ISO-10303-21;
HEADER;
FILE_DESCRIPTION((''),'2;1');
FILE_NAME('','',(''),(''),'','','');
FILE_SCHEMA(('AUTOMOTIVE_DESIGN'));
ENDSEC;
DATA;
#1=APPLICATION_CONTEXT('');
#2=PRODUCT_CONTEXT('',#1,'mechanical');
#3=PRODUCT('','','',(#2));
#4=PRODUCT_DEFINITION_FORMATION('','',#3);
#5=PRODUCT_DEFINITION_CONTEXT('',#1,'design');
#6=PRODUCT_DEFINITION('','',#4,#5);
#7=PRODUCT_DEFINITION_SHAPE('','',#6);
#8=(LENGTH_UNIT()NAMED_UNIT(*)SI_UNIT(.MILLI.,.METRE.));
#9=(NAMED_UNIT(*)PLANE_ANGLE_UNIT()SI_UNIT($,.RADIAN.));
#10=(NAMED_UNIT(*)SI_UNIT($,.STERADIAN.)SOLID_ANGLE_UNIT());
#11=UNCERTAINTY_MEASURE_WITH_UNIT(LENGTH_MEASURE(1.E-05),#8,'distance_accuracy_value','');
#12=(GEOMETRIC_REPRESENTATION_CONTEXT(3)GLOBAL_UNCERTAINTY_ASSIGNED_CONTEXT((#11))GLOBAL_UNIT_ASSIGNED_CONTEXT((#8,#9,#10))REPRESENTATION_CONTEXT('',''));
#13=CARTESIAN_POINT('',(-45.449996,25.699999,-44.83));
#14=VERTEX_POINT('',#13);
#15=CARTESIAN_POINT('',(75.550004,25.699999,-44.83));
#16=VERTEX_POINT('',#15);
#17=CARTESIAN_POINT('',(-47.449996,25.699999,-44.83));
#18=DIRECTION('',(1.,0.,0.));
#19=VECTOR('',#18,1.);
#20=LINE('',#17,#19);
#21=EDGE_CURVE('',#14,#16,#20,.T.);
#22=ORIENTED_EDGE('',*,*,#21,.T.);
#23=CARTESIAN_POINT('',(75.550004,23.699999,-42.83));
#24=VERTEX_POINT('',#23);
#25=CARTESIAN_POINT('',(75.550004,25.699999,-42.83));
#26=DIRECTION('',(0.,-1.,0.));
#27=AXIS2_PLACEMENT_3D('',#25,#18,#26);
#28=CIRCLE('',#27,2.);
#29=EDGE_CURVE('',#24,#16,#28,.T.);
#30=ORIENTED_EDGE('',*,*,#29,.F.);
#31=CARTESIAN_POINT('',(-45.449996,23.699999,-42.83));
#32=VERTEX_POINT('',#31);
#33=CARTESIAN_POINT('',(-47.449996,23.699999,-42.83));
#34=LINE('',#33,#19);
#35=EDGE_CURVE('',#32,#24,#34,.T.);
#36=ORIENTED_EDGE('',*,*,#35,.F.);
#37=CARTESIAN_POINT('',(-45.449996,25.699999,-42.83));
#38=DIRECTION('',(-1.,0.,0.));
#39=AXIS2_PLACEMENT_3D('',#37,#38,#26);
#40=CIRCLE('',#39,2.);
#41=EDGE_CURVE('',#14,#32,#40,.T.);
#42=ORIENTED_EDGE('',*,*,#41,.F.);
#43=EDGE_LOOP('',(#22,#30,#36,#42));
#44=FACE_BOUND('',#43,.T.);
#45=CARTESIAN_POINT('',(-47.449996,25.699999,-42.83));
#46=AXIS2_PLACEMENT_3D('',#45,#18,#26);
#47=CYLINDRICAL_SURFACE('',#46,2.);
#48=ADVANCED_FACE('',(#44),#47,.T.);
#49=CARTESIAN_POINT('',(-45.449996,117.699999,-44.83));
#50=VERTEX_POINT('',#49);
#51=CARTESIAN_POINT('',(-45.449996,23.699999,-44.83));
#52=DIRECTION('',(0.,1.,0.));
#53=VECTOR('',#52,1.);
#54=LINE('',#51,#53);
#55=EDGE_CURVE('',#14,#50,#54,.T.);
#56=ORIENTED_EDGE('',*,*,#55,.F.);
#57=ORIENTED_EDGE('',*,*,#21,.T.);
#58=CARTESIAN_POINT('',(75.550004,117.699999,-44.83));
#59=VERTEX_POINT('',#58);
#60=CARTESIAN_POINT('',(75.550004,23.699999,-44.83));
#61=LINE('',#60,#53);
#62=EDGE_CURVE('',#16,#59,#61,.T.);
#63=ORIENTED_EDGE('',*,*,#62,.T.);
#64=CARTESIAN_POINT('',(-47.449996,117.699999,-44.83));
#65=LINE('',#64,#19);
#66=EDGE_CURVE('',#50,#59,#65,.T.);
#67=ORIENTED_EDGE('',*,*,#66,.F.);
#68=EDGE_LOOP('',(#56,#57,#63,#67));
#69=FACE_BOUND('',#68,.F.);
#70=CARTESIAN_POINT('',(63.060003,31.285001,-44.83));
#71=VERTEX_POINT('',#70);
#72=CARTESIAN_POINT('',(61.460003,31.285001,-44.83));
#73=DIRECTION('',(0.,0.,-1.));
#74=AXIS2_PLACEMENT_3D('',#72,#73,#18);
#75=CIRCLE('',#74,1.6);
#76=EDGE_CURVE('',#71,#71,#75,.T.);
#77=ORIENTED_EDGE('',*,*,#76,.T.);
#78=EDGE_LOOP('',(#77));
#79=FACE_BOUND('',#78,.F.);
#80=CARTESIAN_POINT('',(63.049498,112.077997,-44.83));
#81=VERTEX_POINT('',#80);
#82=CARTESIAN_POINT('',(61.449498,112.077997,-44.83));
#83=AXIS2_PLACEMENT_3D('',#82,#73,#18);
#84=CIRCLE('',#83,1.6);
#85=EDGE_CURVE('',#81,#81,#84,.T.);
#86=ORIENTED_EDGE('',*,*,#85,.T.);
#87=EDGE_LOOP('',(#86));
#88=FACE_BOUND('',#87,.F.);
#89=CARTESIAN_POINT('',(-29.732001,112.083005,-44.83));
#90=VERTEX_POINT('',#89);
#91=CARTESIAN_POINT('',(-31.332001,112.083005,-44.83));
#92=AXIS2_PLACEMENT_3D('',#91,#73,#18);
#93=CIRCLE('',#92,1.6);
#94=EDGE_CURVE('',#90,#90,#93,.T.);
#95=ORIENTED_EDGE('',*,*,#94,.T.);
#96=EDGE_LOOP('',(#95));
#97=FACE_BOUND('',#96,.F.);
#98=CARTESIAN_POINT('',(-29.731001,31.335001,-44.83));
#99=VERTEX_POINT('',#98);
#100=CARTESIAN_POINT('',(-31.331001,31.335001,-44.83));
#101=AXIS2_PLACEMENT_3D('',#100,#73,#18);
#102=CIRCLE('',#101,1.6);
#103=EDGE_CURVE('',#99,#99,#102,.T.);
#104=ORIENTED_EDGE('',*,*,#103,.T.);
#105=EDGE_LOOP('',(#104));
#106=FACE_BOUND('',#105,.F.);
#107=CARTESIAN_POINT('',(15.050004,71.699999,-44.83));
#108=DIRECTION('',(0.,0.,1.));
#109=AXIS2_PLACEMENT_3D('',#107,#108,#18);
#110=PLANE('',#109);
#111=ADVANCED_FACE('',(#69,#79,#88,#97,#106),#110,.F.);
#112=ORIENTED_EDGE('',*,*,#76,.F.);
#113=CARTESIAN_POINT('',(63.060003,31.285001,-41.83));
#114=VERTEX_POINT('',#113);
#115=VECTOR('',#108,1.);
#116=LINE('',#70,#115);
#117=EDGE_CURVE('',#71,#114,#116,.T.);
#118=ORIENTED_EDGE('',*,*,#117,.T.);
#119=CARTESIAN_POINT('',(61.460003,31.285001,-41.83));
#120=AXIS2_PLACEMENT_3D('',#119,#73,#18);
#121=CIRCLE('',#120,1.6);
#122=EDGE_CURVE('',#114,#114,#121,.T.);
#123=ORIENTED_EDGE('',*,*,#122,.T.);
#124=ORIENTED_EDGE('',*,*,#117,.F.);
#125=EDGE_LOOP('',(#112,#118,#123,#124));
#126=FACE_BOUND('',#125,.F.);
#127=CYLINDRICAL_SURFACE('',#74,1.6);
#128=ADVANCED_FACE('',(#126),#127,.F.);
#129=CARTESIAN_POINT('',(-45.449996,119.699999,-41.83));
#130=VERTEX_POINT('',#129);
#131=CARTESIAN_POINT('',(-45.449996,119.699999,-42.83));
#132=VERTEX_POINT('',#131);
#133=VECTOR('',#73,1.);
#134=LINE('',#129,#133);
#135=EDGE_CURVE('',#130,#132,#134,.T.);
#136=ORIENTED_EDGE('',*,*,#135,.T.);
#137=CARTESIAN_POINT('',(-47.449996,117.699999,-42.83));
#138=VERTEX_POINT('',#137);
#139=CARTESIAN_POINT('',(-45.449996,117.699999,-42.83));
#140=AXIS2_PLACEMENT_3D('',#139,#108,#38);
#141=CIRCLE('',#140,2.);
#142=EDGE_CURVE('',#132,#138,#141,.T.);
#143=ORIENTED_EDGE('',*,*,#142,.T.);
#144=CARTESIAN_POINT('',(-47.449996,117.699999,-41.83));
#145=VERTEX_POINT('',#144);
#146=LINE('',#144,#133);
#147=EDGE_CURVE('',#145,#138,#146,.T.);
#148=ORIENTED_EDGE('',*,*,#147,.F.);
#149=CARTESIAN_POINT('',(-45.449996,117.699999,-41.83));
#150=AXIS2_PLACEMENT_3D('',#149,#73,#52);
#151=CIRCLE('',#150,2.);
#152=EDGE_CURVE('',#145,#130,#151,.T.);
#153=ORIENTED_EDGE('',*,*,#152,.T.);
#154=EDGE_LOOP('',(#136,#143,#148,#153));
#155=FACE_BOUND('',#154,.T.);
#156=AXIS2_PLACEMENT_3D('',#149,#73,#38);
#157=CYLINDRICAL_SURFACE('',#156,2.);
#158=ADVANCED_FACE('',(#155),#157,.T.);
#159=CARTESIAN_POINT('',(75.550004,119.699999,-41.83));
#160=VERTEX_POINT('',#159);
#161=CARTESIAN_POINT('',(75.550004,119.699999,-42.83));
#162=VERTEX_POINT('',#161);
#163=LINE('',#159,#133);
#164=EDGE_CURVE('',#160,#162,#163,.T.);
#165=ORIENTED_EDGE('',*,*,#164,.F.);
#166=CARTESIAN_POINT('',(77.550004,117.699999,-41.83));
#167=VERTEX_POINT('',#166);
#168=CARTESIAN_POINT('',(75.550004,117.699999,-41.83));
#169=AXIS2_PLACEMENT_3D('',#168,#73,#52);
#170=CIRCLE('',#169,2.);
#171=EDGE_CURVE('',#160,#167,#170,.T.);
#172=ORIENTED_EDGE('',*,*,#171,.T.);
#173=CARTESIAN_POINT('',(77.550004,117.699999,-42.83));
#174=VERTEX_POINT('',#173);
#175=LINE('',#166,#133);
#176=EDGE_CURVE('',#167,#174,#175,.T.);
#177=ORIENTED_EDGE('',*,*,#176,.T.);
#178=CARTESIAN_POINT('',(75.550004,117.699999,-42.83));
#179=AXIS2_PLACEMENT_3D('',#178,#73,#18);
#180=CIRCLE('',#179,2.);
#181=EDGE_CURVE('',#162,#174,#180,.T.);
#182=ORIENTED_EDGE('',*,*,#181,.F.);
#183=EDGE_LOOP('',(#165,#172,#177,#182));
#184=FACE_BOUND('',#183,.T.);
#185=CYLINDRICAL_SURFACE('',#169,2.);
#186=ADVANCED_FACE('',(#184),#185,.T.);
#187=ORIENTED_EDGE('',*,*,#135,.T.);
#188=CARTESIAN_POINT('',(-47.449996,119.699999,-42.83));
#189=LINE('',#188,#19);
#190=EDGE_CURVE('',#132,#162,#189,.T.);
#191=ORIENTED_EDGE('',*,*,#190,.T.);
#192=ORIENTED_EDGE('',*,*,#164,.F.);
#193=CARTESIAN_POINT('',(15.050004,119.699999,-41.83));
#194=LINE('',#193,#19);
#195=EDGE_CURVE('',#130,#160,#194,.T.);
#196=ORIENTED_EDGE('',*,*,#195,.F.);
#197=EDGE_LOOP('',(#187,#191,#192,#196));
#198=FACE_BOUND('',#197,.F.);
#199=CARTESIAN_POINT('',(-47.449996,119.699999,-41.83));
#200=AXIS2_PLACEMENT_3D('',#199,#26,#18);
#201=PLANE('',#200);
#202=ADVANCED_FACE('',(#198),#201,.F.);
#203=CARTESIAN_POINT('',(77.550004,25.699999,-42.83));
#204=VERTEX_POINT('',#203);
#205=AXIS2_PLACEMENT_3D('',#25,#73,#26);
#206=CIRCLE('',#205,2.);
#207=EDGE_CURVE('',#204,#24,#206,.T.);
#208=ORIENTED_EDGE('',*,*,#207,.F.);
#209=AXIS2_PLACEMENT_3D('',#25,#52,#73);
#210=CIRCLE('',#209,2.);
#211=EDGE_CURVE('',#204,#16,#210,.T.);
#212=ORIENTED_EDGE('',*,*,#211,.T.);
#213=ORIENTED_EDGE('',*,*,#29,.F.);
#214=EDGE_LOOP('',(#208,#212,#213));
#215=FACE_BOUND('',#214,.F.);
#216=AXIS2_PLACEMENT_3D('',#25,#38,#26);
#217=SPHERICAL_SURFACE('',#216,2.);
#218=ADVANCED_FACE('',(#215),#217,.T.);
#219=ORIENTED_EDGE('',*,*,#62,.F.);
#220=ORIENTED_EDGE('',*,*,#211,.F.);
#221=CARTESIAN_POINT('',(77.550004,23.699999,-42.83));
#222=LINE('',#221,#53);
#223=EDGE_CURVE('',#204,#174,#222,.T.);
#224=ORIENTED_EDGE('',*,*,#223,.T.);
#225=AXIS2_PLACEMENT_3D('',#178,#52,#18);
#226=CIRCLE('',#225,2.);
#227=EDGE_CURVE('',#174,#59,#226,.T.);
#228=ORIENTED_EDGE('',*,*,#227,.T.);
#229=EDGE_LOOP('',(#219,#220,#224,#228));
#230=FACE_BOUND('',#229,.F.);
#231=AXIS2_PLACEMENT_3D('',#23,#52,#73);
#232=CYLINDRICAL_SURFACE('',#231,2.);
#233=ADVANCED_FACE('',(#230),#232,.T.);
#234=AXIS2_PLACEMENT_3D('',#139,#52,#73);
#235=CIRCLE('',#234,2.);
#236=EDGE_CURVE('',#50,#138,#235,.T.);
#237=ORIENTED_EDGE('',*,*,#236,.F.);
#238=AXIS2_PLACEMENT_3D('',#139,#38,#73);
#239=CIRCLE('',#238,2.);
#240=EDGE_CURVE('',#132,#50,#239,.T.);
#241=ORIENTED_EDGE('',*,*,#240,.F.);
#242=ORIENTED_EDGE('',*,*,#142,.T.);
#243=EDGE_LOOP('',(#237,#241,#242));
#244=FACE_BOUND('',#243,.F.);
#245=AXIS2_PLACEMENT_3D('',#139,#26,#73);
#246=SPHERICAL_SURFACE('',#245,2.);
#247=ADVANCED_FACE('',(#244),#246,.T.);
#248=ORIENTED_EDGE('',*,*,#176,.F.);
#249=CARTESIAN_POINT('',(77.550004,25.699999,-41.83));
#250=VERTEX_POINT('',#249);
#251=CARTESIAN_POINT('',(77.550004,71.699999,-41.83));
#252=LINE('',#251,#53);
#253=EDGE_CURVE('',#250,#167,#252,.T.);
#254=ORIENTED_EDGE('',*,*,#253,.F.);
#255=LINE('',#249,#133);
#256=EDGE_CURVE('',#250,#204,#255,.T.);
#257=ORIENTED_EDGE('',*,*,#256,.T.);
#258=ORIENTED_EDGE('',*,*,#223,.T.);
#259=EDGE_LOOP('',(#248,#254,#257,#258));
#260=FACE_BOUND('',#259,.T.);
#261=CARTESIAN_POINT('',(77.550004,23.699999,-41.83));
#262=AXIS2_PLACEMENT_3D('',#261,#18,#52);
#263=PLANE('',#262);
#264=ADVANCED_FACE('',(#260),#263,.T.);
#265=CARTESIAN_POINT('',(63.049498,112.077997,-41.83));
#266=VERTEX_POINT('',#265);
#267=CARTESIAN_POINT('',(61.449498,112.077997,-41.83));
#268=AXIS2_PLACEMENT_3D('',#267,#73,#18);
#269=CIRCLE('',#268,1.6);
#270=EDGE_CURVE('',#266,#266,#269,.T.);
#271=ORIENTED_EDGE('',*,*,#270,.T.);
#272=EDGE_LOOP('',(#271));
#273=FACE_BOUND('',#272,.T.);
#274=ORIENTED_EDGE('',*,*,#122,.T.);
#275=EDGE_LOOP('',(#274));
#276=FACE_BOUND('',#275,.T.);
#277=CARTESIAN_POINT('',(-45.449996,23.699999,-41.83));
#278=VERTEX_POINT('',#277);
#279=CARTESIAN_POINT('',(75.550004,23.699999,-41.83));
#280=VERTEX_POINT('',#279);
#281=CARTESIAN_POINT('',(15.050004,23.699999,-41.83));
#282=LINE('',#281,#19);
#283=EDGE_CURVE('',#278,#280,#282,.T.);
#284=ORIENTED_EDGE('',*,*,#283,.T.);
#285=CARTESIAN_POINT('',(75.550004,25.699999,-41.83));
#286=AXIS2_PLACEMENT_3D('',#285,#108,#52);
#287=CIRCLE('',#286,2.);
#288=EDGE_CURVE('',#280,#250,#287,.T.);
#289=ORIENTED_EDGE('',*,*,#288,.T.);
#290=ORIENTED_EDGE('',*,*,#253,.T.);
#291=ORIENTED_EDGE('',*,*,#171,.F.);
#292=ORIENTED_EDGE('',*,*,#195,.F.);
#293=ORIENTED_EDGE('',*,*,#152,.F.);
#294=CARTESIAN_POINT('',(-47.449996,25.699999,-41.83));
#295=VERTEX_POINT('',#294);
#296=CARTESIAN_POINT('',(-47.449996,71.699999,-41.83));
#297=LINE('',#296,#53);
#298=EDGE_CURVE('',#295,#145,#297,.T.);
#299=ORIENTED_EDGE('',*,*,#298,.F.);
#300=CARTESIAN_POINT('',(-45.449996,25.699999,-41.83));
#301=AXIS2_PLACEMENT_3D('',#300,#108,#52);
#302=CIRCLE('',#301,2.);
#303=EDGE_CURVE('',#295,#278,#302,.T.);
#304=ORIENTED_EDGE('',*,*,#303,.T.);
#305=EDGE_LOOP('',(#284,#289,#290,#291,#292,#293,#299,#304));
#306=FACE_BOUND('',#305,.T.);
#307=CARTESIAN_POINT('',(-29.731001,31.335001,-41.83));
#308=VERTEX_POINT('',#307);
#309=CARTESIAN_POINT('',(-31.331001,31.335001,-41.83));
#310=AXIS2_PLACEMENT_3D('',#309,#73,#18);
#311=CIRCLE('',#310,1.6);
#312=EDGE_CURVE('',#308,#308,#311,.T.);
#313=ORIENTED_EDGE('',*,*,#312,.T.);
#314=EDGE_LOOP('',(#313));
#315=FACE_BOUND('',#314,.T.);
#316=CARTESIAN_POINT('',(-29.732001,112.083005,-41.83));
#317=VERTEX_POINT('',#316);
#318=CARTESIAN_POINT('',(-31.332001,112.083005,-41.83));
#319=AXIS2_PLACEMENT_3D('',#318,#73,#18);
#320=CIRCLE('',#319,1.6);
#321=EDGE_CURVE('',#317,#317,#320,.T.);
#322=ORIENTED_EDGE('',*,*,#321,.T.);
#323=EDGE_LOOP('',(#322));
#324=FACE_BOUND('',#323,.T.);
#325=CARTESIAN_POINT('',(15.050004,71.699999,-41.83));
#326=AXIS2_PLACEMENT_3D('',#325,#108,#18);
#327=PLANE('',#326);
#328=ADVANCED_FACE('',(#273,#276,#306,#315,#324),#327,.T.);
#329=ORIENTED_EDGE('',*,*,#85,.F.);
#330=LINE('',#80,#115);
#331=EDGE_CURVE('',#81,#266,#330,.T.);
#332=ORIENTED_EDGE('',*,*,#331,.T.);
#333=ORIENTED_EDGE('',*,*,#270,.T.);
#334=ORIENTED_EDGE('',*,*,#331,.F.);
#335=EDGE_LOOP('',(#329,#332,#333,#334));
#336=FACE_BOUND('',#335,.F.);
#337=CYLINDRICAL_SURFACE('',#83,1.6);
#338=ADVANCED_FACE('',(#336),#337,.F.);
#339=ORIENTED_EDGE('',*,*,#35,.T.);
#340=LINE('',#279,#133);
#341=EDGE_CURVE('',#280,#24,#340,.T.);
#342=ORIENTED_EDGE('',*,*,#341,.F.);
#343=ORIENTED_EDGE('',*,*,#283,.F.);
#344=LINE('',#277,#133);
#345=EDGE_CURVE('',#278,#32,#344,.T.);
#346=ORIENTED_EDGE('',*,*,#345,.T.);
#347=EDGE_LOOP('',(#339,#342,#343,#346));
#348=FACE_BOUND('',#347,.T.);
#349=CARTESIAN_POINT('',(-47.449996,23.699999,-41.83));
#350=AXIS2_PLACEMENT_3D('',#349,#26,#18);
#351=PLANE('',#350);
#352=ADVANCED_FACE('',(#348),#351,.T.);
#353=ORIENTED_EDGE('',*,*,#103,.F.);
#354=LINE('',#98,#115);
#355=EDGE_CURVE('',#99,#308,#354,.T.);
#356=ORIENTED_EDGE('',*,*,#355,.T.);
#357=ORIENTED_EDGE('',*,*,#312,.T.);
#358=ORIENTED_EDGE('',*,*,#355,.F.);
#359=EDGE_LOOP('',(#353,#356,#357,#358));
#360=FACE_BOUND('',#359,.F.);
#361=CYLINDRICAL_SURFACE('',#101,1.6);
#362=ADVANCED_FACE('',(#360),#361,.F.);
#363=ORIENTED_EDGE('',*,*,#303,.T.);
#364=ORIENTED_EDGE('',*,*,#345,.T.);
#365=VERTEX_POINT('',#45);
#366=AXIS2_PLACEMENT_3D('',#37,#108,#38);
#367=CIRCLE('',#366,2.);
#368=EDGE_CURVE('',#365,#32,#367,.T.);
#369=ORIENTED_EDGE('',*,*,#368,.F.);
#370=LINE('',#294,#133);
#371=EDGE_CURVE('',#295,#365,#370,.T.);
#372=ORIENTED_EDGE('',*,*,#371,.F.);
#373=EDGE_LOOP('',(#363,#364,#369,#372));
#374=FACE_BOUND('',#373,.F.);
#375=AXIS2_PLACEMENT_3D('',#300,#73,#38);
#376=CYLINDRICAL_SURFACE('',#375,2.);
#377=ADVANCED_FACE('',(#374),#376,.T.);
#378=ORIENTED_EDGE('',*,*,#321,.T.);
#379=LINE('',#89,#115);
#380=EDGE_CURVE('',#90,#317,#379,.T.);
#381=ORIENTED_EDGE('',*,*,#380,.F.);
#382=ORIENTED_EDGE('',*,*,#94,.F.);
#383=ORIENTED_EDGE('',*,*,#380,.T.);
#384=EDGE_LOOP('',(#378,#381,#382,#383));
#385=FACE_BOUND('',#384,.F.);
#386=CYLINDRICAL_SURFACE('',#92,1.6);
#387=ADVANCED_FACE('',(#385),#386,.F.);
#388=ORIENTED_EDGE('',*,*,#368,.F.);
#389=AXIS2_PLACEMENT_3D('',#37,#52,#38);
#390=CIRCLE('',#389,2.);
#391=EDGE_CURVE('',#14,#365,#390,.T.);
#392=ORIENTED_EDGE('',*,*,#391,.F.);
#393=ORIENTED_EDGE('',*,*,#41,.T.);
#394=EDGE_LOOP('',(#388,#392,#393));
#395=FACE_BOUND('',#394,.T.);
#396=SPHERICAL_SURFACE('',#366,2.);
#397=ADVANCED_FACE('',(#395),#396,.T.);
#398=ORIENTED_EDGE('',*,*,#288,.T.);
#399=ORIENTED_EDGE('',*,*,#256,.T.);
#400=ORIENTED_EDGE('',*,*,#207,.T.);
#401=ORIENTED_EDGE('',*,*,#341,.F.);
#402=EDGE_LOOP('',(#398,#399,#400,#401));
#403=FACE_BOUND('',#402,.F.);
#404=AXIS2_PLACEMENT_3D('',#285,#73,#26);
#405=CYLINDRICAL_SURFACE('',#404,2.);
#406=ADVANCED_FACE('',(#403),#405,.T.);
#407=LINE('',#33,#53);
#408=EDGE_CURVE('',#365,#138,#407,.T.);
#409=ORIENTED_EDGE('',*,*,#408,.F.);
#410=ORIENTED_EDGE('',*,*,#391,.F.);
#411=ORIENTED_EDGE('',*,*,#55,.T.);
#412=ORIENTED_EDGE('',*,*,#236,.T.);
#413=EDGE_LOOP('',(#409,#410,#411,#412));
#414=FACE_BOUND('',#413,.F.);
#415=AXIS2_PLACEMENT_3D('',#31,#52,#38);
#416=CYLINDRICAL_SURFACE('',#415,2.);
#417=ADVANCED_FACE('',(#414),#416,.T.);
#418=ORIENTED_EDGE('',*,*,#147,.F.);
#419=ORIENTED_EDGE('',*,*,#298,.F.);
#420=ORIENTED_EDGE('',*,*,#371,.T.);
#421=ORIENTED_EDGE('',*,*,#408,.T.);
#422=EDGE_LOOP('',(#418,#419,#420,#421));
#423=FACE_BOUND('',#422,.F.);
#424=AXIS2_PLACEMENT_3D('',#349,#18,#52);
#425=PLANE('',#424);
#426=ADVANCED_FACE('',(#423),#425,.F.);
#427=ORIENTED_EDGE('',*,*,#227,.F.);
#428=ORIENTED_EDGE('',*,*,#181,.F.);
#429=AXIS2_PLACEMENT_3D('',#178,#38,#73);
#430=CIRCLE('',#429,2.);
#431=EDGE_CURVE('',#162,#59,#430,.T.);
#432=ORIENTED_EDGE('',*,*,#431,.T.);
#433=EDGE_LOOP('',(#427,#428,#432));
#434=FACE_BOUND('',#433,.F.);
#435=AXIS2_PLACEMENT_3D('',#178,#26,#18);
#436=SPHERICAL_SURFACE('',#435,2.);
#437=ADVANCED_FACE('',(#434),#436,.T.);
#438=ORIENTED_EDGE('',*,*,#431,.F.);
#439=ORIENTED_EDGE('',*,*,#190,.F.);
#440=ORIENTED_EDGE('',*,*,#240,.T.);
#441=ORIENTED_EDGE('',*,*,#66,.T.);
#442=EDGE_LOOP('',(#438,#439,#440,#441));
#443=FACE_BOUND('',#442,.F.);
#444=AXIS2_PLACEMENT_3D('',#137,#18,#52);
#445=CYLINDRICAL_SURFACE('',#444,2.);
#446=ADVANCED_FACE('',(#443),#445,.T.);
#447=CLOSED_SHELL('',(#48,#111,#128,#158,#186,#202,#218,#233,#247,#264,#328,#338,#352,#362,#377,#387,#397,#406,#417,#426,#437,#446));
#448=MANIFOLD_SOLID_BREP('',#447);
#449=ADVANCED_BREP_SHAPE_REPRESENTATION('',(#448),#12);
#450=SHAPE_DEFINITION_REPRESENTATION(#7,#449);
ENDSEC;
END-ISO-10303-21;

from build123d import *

# Parameters (mm, degrees)
SKETCH041_W      = 125
SKETCH041_H      = 96
EXTRUDE024_DEPTH = 3
SKETCH042_R      = 1.6
HOLE016_DEPTH    = 3
HOLE016_TIPS_R   = 1.6
FILLET002_R      = 2


with BuildPart() as part:
    # Sketch041 → Extrude024 (new body)
    with BuildSketch(Plane.XY):
        with Locations((15.050004, 71.699999)):
            Rectangle(SKETCH041_W, SKETCH041_H)
    extrude(amount=-EXTRUDE024_DEPTH)

    # Sketch042 (on Face6 of BaseFeature004) → Hole016 (cut)
    with BuildSketch(Plane(origin=(0, 0, -3), x_dir=(1, 0, 0), z_dir=(0, 0, -1))):
        with Locations((-31.331001, -31.335001)):
            Circle(SKETCH042_R)
        with Locations((-31.332001, -112.083005)):
            Circle(SKETCH042_R)
        with Locations((61.449498, -112.077997)):
            Circle(SKETCH042_R)
        with Locations((61.460003, -31.285001)):
            Circle(SKETCH042_R)
    extrude(amount=-HOLE016_DEPTH, mode=Mode.SUBTRACT)

    # Hole016 tips → Hole016 tip 1 section 0
    with BuildSketch(Plane(origin=(0, 0, 0), x_dir=(1, 0, 0), z_dir=(0, 0, -1)), mode=Mode.PRIVATE) as hole016_tip_1_s0:
        with Locations((-31.331001, -31.335001)):
            Circle(HOLE016_TIPS_R)
    loft([hole016_tip_1_s0.sketch, Vertex(-31.331001, 31.335001, 0.961377)], mode=Mode.SUBTRACT)

    # Hole016 tips → Hole016 tip 2 section 0
    with BuildSketch(Plane(origin=(0, 0, 0), x_dir=(1, 0, 0), z_dir=(0, 0, -1)), mode=Mode.PRIVATE) as hole016_tip_2_s0:
        with Locations((-31.332001, -112.083005)):
            Circle(HOLE016_TIPS_R)
    loft([hole016_tip_2_s0.sketch, Vertex(-31.332001, 112.083005, 0.961377)], mode=Mode.SUBTRACT)

    # Hole016 tips → Hole016 tip 3 section 0
    with BuildSketch(Plane(origin=(0, 0, 0), x_dir=(1, 0, 0), z_dir=(0, 0, -1)), mode=Mode.PRIVATE) as hole016_tip_3_s0:
        with Locations((61.449498, -112.077997)):
            Circle(HOLE016_TIPS_R)
    loft([hole016_tip_3_s0.sketch, Vertex(61.449498, 112.077997, 0.961377)], mode=Mode.SUBTRACT)

    # Hole016 tips → Hole016 tip 4 section 0
    with BuildSketch(Plane(origin=(0, 0, 0), x_dir=(1, 0, 0), z_dir=(0, 0, -1)), mode=Mode.PRIVATE) as hole016_tip_4_s0:
        with Locations((61.460003, -31.285001)):
            Circle(HOLE016_TIPS_R)
    loft([hole016_tip_4_s0.sketch, Vertex(61.460003, 31.285001, 0.961377)], mode=Mode.SUBTRACT)

    # Fillet002
    fillet002_edges = [part.edges().sort_by_distance(p)[0] for p in [
        (-47.449996, 23.699999, -1.5),
        (-47.449996, 71.699999, -3),
        (15.050004, 23.699999, -3),
        (77.550004, 23.699999, -1.5),
        (77.550004, 71.699999, -3),
        (77.550004, 119.699999, -1.5),
        (15.050004, 119.699999, -3),
        (-47.449996, 119.699999, -1.5),
    ]]
    fillet(fillet002_edges, radius=FILLET002_R)


with BuildPart() as part_1:
    # Body003 placement: moved
    add(part.part.moved(Location((0, 0, -41.83))))


solid = part_1.part
